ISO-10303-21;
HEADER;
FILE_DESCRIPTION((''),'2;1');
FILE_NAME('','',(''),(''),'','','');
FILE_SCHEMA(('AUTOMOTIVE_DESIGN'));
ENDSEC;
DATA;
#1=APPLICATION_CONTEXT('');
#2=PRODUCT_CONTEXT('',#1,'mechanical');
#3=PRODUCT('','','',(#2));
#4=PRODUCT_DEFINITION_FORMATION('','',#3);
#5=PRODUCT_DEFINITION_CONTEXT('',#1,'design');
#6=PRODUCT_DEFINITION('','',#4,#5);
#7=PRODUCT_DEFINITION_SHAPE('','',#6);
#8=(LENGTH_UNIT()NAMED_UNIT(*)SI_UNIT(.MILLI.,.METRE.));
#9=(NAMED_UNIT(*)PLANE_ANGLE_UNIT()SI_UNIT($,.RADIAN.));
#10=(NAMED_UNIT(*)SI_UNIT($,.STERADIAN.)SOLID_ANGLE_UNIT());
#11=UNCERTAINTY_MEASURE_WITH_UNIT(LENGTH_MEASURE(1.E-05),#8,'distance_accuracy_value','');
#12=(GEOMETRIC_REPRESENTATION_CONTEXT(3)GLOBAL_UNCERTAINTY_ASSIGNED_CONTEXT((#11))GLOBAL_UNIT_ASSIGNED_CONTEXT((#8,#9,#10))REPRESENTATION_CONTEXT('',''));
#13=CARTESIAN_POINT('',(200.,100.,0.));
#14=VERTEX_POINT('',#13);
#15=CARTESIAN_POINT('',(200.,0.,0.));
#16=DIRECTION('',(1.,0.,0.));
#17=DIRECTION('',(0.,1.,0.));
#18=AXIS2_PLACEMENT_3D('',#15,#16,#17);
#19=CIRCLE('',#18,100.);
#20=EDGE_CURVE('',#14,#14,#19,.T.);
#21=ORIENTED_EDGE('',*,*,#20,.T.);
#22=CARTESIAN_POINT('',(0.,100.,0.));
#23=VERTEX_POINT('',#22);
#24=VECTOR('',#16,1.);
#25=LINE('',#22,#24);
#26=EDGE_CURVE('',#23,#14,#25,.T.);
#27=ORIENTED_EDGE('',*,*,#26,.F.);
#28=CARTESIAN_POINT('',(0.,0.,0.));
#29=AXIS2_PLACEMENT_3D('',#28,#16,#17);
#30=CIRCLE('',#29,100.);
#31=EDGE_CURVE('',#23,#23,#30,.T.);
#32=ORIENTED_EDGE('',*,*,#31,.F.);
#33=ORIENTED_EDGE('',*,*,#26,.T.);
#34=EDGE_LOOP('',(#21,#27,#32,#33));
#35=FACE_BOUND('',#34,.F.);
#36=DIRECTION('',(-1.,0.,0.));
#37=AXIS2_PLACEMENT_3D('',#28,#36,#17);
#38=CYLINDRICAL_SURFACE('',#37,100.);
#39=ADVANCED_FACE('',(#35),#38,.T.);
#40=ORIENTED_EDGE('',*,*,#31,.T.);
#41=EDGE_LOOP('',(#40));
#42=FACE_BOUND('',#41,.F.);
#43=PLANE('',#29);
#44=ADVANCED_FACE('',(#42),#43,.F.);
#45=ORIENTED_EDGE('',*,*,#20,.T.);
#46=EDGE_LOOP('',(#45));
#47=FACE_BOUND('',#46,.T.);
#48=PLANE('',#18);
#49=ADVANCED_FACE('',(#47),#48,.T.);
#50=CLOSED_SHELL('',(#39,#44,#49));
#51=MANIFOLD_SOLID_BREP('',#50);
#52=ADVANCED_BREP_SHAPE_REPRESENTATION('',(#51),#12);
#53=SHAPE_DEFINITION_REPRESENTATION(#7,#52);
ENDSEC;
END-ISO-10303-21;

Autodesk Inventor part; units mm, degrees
ref_plane "YZ Plane" through (0, 0, 0) normal (1, 0, 0) x (0, 1, 0)
ref_plane "XZ Plane" through (0, 0, 0) normal (0, 1, 0) x (-1, 0, 0)
ref_plane "XY Plane" through (0, 0, 0) normal (0, 0, 1) x (1, 0, 0)
sketch "Sketch1" plane through (0, 0, 0) normal (1, 0, 0) x (0, 1, 0)
  circle A0 centre (0, 0) radius 100
  dimension "d0" = 200
extrude "Extrusion1" add sketch "Sketch1" along normal blind 200
equation "\"BendRadius\" = Thickness"
equation "\"BendReliefWidth\" = Thickness"
equation "\"BendReliefDepth\" = 0.5 * Thickness"
equation "\"CornerReliefSize\" = 4 * Thickness"
equation "\"MinimumRemnant\" = 2 * Thickness"
equation "\"TransitionRadius\" = BendRadius"
equation "\"JacobiRadiusSize\" = BendRadius"
equation "\"GapSize\" = Thickness"
equation "\"Thickness\" = 3.048"
